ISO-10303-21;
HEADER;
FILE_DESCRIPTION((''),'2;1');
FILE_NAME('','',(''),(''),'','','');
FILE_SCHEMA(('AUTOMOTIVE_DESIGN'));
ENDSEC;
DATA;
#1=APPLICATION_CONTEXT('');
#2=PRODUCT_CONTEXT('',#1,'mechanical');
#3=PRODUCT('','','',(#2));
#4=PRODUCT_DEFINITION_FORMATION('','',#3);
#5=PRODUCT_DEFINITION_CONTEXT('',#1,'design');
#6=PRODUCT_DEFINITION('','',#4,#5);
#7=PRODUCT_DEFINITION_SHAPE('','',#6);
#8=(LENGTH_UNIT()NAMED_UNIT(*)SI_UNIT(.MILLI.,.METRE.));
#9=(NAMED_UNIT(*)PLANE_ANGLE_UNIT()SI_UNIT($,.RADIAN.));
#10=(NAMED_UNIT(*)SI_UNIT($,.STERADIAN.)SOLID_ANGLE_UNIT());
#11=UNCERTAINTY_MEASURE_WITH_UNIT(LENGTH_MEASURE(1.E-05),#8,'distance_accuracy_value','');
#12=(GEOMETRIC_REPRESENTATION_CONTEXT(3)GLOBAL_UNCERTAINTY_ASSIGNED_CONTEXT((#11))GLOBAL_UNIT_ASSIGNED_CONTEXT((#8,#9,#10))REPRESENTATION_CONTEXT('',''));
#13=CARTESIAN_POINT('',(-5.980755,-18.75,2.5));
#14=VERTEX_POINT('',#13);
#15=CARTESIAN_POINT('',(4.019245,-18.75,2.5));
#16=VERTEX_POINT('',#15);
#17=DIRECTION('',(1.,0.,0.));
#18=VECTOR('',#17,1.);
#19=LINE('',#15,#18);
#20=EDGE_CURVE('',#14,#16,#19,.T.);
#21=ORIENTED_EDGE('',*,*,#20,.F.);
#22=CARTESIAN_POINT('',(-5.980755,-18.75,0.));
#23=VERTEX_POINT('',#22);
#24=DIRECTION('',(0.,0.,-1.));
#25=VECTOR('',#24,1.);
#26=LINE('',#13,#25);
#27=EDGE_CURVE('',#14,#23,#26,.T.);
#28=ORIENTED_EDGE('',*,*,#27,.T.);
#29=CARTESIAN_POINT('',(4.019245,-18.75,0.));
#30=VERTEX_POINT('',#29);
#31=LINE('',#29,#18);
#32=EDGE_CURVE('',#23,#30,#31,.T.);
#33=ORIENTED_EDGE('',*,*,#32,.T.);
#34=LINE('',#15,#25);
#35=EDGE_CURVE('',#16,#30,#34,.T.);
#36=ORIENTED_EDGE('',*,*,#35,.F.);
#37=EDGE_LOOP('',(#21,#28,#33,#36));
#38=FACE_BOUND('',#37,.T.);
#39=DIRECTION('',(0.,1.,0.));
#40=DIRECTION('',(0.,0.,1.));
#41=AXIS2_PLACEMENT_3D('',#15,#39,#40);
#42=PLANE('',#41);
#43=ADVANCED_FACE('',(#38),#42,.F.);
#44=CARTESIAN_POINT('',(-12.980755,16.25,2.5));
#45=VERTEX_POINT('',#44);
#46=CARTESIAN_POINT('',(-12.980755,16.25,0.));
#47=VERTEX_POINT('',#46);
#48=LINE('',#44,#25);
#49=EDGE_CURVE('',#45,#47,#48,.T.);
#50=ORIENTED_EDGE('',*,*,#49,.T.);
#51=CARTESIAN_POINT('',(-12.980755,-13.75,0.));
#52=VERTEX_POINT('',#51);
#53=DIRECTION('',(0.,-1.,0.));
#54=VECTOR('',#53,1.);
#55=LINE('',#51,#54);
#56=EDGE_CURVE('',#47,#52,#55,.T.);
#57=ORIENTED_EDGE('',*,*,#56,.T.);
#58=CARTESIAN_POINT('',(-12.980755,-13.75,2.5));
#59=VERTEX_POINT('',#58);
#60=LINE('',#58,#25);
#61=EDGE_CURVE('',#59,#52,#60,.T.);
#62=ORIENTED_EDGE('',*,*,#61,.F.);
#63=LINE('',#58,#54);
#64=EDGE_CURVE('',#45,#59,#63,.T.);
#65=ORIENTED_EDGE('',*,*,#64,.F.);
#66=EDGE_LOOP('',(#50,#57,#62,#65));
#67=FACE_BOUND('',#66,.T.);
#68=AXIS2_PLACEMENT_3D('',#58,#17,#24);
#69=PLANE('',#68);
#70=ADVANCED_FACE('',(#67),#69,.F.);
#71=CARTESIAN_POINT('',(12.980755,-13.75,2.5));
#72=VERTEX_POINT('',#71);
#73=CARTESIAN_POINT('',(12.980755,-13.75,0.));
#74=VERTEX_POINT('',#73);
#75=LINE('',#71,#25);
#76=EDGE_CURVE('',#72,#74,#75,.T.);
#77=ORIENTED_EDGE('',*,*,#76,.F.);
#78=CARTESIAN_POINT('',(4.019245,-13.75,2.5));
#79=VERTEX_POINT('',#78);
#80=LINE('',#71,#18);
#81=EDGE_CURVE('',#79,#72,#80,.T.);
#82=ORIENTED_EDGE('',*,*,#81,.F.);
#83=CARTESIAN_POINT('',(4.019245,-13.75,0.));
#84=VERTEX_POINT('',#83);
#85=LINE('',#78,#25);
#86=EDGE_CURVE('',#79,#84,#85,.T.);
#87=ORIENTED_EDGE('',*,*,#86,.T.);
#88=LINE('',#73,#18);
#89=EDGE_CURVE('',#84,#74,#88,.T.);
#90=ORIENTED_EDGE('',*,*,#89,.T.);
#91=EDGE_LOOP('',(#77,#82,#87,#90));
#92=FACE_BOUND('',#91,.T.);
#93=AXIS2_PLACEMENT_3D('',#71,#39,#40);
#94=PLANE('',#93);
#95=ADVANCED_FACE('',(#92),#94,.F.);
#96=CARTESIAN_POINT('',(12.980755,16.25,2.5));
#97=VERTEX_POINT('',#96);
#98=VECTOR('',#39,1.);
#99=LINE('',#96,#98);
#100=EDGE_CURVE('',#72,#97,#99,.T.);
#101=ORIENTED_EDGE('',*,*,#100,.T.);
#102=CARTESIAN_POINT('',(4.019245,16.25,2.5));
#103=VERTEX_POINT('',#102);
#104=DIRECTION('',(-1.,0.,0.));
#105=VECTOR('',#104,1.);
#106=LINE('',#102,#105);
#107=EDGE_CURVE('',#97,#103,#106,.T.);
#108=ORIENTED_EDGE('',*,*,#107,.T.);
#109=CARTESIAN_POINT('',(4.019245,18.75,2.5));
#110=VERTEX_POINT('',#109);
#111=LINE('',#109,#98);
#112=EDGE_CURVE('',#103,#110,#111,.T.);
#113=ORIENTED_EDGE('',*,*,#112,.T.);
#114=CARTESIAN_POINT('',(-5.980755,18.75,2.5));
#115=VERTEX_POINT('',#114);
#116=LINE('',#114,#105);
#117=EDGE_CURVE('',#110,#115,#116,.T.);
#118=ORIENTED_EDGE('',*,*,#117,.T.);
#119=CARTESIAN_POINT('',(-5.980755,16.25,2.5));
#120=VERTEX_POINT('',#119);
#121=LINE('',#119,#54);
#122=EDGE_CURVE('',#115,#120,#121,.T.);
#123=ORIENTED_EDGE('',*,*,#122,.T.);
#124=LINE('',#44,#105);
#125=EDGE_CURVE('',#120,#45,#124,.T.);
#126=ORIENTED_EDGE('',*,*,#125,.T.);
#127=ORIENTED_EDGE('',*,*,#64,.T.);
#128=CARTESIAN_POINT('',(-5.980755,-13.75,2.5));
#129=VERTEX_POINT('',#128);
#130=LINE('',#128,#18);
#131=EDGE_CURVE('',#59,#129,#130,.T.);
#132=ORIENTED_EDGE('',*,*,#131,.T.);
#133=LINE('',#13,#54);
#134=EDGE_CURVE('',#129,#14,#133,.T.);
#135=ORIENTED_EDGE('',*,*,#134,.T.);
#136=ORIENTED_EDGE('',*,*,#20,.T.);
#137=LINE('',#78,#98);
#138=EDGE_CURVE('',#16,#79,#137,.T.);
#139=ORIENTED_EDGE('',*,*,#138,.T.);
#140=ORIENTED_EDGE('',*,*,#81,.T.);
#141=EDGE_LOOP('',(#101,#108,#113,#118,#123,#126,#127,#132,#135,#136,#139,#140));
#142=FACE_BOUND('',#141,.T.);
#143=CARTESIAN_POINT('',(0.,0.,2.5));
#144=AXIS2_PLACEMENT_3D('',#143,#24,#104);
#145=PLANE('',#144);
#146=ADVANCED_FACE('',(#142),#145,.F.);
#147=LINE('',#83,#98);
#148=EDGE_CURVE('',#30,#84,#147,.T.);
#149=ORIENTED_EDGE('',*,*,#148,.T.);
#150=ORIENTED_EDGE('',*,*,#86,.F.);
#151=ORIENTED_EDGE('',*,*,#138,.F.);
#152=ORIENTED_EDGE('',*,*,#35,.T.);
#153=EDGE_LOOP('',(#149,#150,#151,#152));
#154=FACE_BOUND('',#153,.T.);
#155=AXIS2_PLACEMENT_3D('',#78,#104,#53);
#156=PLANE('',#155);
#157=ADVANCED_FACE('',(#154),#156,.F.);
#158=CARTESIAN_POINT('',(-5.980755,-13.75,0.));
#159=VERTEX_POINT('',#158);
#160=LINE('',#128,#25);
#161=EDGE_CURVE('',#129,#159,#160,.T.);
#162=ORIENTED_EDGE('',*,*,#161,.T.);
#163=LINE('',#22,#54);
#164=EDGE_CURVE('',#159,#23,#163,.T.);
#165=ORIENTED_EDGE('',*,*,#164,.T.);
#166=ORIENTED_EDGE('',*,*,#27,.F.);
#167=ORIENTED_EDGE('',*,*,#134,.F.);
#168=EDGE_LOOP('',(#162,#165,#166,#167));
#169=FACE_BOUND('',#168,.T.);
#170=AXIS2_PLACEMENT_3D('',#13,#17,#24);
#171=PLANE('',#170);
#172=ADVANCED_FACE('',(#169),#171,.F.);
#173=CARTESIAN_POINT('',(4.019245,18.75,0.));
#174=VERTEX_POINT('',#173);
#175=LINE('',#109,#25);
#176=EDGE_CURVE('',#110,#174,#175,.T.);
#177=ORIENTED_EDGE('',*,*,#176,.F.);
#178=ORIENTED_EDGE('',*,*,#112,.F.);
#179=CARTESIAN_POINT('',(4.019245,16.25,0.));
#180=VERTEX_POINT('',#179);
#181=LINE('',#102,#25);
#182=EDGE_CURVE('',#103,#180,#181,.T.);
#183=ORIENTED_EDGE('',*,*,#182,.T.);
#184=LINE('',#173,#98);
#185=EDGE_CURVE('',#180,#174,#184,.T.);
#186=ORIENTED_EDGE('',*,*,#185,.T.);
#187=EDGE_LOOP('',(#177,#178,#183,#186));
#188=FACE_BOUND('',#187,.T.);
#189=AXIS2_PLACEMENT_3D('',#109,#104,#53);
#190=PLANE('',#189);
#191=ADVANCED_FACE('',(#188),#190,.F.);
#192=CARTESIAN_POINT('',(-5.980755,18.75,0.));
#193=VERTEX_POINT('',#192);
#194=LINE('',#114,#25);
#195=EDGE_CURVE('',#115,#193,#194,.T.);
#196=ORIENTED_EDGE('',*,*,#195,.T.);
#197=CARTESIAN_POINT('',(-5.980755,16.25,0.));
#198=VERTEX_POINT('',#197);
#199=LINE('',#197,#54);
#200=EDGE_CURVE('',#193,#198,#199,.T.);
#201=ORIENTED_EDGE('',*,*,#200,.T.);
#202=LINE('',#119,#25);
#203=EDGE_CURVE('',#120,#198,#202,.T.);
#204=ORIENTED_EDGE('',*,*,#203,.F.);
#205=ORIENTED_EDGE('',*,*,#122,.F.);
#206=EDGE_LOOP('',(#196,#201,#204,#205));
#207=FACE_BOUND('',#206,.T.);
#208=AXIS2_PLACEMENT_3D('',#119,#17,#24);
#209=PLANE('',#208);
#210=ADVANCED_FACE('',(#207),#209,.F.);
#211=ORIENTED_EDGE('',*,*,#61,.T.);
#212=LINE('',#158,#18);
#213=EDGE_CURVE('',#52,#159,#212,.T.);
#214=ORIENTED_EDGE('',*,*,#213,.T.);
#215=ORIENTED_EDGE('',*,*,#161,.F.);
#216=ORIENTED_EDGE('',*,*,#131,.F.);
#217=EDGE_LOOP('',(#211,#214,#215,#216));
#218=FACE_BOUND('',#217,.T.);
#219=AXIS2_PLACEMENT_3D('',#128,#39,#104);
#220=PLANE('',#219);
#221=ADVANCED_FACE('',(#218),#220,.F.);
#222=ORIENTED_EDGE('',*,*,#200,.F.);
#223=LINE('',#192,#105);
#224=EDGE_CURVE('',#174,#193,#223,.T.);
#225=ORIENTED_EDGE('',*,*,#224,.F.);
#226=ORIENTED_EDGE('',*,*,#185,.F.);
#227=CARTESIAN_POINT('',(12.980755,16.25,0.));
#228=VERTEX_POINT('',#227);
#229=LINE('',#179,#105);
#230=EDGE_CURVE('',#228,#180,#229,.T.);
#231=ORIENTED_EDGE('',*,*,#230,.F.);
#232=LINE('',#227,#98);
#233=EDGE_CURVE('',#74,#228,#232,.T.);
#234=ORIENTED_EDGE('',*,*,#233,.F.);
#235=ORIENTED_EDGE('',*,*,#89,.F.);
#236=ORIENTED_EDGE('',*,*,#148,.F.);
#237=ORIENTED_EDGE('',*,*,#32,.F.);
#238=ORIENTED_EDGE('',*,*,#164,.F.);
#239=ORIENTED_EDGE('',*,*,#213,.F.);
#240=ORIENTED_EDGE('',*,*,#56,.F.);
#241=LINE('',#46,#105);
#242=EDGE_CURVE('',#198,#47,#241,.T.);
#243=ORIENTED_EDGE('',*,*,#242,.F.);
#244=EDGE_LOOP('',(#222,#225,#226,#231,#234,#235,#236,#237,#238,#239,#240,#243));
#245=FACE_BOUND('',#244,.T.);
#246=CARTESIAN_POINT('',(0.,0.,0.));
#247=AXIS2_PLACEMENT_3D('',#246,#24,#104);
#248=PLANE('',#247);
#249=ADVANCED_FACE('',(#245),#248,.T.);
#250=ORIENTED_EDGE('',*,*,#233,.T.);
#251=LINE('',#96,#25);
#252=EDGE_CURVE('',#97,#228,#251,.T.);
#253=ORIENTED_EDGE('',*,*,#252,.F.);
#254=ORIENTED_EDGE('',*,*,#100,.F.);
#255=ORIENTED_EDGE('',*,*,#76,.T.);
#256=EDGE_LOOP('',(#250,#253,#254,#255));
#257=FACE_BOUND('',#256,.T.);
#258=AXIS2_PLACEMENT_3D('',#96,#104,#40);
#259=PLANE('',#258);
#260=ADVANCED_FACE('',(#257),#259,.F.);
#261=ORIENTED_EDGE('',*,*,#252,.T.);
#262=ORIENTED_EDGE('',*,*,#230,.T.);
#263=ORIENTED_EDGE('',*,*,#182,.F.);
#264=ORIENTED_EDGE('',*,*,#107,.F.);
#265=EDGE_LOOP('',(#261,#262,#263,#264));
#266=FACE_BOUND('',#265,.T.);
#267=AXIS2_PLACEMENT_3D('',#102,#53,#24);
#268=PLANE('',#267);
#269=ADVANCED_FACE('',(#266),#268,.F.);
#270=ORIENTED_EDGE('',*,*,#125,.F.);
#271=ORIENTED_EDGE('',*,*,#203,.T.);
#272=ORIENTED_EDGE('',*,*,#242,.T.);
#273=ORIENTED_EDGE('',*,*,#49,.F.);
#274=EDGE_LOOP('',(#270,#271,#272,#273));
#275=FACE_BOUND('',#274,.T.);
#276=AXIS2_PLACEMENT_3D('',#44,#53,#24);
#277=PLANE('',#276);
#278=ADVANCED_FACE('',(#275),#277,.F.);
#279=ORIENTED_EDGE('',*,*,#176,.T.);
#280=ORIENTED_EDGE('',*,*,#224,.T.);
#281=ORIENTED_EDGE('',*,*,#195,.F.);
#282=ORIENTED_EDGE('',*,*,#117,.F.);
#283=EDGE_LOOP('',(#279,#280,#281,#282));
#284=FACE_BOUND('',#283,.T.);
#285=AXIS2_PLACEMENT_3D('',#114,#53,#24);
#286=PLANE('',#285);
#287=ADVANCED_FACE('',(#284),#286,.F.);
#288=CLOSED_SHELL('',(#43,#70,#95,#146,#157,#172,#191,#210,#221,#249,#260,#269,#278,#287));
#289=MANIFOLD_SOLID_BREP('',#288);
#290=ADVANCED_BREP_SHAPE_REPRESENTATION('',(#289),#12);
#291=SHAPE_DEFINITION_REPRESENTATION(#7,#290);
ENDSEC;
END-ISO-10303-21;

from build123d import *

# Parameters (mm, degrees)
BOSS_EXTRUDE1_DEPTH = 2.5


with BuildPart() as part:
    # Sketch1 → Boss-Extrude1 (new body)
    with BuildSketch(Plane.XY):
        Polygon((-12.980754985, 16.25), (-5.980754985, 16.25), (-5.980754985, 18.75), (4.019245015, 18.75), (4.019245015, 16.25), (12.980754985, 16.25), (12.980754985, -13.75), (4.019245015, -13.75), (4.019245015, -18.75), (-5.980754985, -18.75), (-5.980754985, -13.75), (-12.980754985, -13.75), align=None)
    extrude(amount=BOSS_EXTRUDE1_DEPTH)


solid = part.part
